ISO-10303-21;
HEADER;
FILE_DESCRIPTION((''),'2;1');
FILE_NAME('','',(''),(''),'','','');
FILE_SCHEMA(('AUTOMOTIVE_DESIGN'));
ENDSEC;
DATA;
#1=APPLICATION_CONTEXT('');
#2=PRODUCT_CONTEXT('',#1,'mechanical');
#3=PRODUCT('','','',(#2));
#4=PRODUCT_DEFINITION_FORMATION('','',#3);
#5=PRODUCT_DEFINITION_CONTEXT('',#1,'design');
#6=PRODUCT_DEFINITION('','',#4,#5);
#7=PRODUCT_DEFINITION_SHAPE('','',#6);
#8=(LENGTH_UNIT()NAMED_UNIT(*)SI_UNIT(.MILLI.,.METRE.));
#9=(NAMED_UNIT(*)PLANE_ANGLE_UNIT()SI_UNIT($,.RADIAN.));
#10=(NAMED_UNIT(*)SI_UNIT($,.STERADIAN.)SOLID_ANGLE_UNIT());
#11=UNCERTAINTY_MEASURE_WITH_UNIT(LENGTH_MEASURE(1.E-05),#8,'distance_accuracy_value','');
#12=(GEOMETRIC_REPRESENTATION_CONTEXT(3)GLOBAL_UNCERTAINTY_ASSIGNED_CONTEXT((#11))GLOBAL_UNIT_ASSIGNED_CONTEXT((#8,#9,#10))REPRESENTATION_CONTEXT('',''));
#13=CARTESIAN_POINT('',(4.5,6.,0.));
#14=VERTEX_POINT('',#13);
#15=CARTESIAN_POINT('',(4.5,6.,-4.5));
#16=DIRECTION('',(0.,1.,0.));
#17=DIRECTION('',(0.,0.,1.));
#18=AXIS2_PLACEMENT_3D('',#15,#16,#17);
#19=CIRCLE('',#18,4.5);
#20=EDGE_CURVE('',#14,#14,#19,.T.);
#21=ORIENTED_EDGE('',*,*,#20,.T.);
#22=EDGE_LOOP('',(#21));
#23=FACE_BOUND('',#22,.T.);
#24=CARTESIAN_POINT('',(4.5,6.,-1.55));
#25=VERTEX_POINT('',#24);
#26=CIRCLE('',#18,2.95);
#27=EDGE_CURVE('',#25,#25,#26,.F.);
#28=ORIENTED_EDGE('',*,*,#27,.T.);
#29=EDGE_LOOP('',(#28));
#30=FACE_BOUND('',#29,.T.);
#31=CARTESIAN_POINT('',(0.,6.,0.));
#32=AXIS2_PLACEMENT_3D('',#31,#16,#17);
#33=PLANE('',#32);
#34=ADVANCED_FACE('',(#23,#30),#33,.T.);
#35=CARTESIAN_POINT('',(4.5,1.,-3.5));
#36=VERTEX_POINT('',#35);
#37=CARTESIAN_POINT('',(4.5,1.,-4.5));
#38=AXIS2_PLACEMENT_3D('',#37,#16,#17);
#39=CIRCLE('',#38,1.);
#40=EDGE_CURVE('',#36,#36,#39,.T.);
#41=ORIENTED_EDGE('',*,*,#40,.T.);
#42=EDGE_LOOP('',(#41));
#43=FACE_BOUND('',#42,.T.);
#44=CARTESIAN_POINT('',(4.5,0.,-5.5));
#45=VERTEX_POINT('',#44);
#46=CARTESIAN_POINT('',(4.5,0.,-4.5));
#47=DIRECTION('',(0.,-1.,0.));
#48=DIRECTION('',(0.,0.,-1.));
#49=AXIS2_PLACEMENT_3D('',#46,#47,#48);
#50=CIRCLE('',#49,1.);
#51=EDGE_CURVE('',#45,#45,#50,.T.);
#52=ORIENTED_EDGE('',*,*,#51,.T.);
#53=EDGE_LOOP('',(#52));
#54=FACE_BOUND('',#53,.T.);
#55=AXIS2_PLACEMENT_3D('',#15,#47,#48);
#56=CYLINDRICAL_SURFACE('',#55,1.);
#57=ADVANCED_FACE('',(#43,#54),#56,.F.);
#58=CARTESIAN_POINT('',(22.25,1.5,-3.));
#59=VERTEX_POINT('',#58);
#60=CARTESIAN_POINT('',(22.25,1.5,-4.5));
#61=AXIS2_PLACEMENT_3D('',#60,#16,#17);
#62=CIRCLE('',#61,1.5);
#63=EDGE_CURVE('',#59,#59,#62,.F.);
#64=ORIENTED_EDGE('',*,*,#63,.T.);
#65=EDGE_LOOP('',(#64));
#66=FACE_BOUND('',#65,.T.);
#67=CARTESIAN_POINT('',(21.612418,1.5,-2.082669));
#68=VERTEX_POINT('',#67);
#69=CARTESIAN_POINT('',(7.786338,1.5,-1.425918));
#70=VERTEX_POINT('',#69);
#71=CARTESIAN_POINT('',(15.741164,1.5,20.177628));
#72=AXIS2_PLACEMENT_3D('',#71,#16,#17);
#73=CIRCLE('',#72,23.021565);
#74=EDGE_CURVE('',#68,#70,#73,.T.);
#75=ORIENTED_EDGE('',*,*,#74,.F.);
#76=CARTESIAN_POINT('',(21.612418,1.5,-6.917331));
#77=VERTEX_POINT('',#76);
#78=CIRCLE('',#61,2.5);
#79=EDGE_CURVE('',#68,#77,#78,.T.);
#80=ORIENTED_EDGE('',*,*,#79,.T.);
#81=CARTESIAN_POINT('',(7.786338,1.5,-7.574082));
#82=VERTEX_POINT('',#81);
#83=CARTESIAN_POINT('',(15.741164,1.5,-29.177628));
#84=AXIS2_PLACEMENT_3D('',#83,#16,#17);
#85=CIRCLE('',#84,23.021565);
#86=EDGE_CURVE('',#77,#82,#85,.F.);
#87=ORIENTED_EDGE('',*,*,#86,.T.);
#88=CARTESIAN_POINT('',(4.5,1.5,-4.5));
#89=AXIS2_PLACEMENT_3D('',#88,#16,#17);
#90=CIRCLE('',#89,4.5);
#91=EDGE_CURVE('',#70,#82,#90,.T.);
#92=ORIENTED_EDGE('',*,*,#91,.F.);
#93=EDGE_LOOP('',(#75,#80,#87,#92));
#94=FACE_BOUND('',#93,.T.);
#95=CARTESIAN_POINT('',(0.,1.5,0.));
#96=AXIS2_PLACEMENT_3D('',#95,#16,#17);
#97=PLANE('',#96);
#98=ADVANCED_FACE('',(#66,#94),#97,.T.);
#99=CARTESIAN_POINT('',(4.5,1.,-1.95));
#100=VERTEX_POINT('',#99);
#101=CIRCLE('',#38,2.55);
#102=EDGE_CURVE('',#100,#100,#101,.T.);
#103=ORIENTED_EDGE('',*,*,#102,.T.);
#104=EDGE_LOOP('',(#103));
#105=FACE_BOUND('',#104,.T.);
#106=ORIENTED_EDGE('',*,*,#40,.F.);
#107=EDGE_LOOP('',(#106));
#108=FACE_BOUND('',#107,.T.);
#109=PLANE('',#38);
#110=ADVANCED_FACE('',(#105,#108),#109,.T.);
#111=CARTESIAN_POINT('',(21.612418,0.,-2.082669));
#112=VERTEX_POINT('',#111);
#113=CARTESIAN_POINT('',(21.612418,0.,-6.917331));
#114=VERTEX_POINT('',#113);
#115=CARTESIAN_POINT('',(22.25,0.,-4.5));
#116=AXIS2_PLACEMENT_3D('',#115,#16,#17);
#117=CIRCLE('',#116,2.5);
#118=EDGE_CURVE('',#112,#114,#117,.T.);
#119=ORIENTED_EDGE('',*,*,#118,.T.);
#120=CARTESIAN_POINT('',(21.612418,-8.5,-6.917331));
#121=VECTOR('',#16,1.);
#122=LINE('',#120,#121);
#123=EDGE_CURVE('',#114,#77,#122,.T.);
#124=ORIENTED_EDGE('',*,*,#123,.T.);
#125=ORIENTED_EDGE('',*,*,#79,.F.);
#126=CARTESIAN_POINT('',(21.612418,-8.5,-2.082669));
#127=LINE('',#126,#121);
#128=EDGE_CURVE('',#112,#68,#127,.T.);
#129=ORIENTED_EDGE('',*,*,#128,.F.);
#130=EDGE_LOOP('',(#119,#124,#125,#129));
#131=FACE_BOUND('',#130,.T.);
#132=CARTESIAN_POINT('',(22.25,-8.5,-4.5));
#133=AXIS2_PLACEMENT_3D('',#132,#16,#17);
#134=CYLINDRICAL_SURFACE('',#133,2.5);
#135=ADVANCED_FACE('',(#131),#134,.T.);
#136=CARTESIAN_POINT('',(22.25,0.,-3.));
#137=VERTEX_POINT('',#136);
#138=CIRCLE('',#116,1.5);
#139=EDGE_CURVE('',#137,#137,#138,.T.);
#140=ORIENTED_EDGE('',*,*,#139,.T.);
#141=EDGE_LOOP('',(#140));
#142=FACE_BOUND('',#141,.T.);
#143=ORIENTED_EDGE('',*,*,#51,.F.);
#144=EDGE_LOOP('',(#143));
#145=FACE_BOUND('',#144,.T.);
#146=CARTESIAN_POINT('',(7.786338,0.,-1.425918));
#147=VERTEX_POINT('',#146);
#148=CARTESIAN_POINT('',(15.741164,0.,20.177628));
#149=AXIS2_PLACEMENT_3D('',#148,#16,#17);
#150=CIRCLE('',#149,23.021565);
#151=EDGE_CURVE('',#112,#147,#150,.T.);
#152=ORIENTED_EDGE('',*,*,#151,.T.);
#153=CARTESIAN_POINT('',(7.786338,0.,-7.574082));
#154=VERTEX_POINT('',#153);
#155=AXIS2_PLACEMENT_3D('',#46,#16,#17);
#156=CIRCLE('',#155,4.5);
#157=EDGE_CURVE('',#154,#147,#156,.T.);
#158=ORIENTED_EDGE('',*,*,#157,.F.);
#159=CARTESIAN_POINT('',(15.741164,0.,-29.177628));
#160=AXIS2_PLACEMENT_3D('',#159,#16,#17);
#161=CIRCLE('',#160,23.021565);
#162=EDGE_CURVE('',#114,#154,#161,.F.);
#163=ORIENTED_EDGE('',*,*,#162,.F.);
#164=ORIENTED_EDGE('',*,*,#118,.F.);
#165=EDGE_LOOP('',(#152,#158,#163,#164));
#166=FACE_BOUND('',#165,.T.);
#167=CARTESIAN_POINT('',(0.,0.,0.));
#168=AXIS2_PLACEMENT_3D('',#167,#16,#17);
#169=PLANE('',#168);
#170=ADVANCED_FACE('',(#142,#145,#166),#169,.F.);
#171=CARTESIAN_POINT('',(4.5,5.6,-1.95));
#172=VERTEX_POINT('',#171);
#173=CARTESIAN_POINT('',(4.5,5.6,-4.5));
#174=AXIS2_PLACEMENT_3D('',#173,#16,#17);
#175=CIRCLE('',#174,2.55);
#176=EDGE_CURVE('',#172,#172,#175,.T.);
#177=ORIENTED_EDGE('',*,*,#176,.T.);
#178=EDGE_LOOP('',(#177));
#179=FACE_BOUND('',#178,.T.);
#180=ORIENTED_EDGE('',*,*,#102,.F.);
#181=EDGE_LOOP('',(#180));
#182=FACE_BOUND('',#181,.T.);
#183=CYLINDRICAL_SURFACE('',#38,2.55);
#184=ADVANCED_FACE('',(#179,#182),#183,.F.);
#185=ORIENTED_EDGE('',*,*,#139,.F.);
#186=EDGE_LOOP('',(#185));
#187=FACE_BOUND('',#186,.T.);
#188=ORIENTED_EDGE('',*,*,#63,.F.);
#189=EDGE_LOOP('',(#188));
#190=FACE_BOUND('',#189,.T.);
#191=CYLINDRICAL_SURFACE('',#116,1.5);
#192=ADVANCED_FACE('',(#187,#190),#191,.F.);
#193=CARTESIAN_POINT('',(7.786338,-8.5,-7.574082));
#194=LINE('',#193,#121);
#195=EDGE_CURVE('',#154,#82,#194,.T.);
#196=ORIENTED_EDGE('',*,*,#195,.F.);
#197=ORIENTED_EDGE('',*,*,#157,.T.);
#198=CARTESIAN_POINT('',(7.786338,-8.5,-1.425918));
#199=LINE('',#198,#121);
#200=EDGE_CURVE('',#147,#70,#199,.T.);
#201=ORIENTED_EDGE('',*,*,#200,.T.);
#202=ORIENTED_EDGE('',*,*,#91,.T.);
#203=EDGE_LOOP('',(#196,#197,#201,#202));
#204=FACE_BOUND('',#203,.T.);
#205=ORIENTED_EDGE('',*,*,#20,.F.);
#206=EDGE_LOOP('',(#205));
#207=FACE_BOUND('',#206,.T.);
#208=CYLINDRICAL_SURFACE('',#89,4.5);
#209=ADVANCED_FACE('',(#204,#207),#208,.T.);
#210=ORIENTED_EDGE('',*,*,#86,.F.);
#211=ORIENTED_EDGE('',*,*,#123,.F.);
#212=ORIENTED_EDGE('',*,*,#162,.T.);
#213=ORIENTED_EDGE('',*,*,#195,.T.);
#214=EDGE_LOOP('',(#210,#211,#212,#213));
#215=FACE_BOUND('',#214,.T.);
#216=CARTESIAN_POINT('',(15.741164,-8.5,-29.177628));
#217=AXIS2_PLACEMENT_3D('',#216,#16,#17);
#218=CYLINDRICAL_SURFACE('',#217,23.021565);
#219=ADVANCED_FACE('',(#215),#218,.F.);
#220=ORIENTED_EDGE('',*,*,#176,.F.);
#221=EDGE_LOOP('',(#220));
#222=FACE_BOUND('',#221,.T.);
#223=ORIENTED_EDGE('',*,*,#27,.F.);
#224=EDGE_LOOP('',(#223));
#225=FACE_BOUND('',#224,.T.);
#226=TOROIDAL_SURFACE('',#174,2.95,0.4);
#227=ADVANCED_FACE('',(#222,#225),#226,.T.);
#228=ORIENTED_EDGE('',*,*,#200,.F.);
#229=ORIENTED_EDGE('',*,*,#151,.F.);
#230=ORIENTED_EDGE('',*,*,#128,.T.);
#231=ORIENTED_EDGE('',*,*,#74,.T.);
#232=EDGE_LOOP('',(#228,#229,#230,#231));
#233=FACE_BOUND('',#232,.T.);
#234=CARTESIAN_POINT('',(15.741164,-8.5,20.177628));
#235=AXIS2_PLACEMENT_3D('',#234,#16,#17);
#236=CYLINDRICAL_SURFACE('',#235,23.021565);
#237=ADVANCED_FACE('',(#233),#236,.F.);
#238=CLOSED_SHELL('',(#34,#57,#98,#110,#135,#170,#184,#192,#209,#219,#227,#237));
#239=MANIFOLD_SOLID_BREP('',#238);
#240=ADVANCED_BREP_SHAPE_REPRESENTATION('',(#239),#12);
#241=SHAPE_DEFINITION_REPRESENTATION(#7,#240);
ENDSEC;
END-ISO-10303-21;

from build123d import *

# Parameters (mm, degrees)
SKETCH2_W               = 25
SKETCH2_H               = 9
BOSS_EXTRUDE3_DEPTH     = 6
SKETCH3_R               = 2.55
CUT_EXTRUDE1_DEPTH      = 5
CUT_EXTRUDE2_DEPTH      = 28.239676944
CUT_EXTRUDE2_DEPTH_BACK = 28.239676944
SKETCH4_R               = 1.5
SKETCH5_R               = 1.5
CUT_EXTRUDE3_DEPTH      = 4.5
CUT_EXTRUDE4_DEPTH      = 28.239676944
FILLET2_R               = 0.4
SKETCH8_R               = 1
CUT_EXTRUDE5_DEPTH      = 28.239676944
CUT_EXTRUDE7_DEPTH      = 10


with BuildPart() as part:
    # Sketch2 → Boss-Extrude3 (new body)
    with BuildSketch(Plane(origin=(0, 0, 0), x_dir=(1, 0, 0), z_dir=(0, 1, 0))):
        with Locations((12.5, 4.5)):
            Rectangle(SKETCH2_W, SKETCH2_H)
    extrude(amount=BOSS_EXTRUDE3_DEPTH)

    # Sketch3 → Cut-Extrude1 (cut)
    with BuildSketch(Plane(origin=(0, 6, 0), x_dir=(1, 0, 0), z_dir=(0, 1, 0))):
        with Locations(Location((4.5, 4.5, 0), (0, 0, 270))):
            Circle(SKETCH3_R)
    extrude(amount=-CUT_EXTRUDE1_DEPTH, mode=Mode.SUBTRACT)

    # Sketch4 → Cut-Extrude2 (cut, two sides: drawn at the far end of the back side and taken through both)
    with BuildSketch(Plane(origin=(0, 6, 0), x_dir=(1, 0, 0), z_dir=(0, 1, 0)).offset(-CUT_EXTRUDE2_DEPTH_BACK)):
        with Locations(Location((22.25, 4.5, 0), (0, 0, 270))):
            Circle(SKETCH4_R)
    extrude(amount=CUT_EXTRUDE2_DEPTH + CUT_EXTRUDE2_DEPTH_BACK, mode=Mode.SUBTRACT)

    # Sketch5 → Cut-Extrude3 (cut)
    with BuildSketch(Plane(origin=(0, 6, 0), x_dir=(1, 0, 0), z_dir=(0, 1, 0))):
        with BuildLine():
            Line((25, 9), (4.5, 9))
            ThreePointArc((4.5, 9), (7.681980515, 7.681980515), (9, 4.5))
            ThreePointArc((9, 4.5), (7.681980515, 1.318019485), (4.5, 0))
            Line((4.5, 0), (25, 0))
            Line((25, 0), (25, 9))
        make_face()
        with Locations(Location((22.25, 4.5, 0), (0, 0, 270))):
            Circle(SKETCH5_R, mode=Mode.SUBTRACT)
    extrude(amount=-CUT_EXTRUDE3_DEPTH, mode=Mode.SUBTRACT)

    # Sketch6 → Cut-Extrude4 (cut, through all)
    with BuildSketch(Plane(origin=(0, 6, 0), x_dir=(1, 0, 0), z_dir=(0, 1, 0))):
        with BuildLine():
            ThreePointArc((0, 4.5), (1.318019485, 7.681980515), (4.5, 9))
            Line((4.5, 9), (0, 9))
            Line((0, 9), (0, 4.5))
        make_face()
        with BuildLine():
            ThreePointArc((4.5, 0), (1.318019485, 1.318019485), (0, 4.5))
            Line((0, 4.5), (0, 0))
            Line((0, 0), (4.5, 0))
        make_face()
    extrude(amount=-CUT_EXTRUDE4_DEPTH, mode=Mode.SUBTRACT)

    # Fillet2
    fillet2_edges = [part.edges().sort_by_distance(p)[0] for p in [
        (4.5, 6, -7.05),
    ]]
    fillet(fillet2_edges, radius=FILLET2_R)

    # Sketch8 → Cut-Extrude5 (cut, through all)
    with BuildSketch(Plane.XZ):
        with Locations(Location((4.5, -4.5, 0), (0, 0, 270))):
            Circle(SKETCH8_R)
    extrude(amount=-CUT_EXTRUDE5_DEPTH, mode=Mode.SUBTRACT)

    # Sketch9 → Cut-Extrude7 (cut)
    with BuildSketch(Plane(origin=(0, 1.5, 0), x_dir=(1, 0, 0), z_dir=(0, 1, 0))):
        with BuildLine():
            Line((25, 9), (4.5, 9))
            ThreePointArc((4.5, 9), (6.291176984, 8.628157581), (7.786338153, 7.574082228))
            ThreePointArc((7.786338153, 7.574082228), (14.648850695, 6.181991531), (21.61241808, 6.917331027))
            ThreePointArc((21.61241808, 6.917331027), (24.75, 4.499999954), (21.612417992, 2.082668996))
            ThreePointArc((21.612417992, 2.082668996), (14.64885065, 2.818008467), (7.786338153, 1.425917772))
            ThreePointArc((7.786338153, 1.425917772), (6.291176984, 0.371842419), (4.5, 0))
            Line((4.5, 0), (25, 0))
            Line((25, 0), (25, 9))
        make_face()
    extrude(amount=-CUT_EXTRUDE7_DEPTH, mode=Mode.SUBTRACT)


solid = part.part
